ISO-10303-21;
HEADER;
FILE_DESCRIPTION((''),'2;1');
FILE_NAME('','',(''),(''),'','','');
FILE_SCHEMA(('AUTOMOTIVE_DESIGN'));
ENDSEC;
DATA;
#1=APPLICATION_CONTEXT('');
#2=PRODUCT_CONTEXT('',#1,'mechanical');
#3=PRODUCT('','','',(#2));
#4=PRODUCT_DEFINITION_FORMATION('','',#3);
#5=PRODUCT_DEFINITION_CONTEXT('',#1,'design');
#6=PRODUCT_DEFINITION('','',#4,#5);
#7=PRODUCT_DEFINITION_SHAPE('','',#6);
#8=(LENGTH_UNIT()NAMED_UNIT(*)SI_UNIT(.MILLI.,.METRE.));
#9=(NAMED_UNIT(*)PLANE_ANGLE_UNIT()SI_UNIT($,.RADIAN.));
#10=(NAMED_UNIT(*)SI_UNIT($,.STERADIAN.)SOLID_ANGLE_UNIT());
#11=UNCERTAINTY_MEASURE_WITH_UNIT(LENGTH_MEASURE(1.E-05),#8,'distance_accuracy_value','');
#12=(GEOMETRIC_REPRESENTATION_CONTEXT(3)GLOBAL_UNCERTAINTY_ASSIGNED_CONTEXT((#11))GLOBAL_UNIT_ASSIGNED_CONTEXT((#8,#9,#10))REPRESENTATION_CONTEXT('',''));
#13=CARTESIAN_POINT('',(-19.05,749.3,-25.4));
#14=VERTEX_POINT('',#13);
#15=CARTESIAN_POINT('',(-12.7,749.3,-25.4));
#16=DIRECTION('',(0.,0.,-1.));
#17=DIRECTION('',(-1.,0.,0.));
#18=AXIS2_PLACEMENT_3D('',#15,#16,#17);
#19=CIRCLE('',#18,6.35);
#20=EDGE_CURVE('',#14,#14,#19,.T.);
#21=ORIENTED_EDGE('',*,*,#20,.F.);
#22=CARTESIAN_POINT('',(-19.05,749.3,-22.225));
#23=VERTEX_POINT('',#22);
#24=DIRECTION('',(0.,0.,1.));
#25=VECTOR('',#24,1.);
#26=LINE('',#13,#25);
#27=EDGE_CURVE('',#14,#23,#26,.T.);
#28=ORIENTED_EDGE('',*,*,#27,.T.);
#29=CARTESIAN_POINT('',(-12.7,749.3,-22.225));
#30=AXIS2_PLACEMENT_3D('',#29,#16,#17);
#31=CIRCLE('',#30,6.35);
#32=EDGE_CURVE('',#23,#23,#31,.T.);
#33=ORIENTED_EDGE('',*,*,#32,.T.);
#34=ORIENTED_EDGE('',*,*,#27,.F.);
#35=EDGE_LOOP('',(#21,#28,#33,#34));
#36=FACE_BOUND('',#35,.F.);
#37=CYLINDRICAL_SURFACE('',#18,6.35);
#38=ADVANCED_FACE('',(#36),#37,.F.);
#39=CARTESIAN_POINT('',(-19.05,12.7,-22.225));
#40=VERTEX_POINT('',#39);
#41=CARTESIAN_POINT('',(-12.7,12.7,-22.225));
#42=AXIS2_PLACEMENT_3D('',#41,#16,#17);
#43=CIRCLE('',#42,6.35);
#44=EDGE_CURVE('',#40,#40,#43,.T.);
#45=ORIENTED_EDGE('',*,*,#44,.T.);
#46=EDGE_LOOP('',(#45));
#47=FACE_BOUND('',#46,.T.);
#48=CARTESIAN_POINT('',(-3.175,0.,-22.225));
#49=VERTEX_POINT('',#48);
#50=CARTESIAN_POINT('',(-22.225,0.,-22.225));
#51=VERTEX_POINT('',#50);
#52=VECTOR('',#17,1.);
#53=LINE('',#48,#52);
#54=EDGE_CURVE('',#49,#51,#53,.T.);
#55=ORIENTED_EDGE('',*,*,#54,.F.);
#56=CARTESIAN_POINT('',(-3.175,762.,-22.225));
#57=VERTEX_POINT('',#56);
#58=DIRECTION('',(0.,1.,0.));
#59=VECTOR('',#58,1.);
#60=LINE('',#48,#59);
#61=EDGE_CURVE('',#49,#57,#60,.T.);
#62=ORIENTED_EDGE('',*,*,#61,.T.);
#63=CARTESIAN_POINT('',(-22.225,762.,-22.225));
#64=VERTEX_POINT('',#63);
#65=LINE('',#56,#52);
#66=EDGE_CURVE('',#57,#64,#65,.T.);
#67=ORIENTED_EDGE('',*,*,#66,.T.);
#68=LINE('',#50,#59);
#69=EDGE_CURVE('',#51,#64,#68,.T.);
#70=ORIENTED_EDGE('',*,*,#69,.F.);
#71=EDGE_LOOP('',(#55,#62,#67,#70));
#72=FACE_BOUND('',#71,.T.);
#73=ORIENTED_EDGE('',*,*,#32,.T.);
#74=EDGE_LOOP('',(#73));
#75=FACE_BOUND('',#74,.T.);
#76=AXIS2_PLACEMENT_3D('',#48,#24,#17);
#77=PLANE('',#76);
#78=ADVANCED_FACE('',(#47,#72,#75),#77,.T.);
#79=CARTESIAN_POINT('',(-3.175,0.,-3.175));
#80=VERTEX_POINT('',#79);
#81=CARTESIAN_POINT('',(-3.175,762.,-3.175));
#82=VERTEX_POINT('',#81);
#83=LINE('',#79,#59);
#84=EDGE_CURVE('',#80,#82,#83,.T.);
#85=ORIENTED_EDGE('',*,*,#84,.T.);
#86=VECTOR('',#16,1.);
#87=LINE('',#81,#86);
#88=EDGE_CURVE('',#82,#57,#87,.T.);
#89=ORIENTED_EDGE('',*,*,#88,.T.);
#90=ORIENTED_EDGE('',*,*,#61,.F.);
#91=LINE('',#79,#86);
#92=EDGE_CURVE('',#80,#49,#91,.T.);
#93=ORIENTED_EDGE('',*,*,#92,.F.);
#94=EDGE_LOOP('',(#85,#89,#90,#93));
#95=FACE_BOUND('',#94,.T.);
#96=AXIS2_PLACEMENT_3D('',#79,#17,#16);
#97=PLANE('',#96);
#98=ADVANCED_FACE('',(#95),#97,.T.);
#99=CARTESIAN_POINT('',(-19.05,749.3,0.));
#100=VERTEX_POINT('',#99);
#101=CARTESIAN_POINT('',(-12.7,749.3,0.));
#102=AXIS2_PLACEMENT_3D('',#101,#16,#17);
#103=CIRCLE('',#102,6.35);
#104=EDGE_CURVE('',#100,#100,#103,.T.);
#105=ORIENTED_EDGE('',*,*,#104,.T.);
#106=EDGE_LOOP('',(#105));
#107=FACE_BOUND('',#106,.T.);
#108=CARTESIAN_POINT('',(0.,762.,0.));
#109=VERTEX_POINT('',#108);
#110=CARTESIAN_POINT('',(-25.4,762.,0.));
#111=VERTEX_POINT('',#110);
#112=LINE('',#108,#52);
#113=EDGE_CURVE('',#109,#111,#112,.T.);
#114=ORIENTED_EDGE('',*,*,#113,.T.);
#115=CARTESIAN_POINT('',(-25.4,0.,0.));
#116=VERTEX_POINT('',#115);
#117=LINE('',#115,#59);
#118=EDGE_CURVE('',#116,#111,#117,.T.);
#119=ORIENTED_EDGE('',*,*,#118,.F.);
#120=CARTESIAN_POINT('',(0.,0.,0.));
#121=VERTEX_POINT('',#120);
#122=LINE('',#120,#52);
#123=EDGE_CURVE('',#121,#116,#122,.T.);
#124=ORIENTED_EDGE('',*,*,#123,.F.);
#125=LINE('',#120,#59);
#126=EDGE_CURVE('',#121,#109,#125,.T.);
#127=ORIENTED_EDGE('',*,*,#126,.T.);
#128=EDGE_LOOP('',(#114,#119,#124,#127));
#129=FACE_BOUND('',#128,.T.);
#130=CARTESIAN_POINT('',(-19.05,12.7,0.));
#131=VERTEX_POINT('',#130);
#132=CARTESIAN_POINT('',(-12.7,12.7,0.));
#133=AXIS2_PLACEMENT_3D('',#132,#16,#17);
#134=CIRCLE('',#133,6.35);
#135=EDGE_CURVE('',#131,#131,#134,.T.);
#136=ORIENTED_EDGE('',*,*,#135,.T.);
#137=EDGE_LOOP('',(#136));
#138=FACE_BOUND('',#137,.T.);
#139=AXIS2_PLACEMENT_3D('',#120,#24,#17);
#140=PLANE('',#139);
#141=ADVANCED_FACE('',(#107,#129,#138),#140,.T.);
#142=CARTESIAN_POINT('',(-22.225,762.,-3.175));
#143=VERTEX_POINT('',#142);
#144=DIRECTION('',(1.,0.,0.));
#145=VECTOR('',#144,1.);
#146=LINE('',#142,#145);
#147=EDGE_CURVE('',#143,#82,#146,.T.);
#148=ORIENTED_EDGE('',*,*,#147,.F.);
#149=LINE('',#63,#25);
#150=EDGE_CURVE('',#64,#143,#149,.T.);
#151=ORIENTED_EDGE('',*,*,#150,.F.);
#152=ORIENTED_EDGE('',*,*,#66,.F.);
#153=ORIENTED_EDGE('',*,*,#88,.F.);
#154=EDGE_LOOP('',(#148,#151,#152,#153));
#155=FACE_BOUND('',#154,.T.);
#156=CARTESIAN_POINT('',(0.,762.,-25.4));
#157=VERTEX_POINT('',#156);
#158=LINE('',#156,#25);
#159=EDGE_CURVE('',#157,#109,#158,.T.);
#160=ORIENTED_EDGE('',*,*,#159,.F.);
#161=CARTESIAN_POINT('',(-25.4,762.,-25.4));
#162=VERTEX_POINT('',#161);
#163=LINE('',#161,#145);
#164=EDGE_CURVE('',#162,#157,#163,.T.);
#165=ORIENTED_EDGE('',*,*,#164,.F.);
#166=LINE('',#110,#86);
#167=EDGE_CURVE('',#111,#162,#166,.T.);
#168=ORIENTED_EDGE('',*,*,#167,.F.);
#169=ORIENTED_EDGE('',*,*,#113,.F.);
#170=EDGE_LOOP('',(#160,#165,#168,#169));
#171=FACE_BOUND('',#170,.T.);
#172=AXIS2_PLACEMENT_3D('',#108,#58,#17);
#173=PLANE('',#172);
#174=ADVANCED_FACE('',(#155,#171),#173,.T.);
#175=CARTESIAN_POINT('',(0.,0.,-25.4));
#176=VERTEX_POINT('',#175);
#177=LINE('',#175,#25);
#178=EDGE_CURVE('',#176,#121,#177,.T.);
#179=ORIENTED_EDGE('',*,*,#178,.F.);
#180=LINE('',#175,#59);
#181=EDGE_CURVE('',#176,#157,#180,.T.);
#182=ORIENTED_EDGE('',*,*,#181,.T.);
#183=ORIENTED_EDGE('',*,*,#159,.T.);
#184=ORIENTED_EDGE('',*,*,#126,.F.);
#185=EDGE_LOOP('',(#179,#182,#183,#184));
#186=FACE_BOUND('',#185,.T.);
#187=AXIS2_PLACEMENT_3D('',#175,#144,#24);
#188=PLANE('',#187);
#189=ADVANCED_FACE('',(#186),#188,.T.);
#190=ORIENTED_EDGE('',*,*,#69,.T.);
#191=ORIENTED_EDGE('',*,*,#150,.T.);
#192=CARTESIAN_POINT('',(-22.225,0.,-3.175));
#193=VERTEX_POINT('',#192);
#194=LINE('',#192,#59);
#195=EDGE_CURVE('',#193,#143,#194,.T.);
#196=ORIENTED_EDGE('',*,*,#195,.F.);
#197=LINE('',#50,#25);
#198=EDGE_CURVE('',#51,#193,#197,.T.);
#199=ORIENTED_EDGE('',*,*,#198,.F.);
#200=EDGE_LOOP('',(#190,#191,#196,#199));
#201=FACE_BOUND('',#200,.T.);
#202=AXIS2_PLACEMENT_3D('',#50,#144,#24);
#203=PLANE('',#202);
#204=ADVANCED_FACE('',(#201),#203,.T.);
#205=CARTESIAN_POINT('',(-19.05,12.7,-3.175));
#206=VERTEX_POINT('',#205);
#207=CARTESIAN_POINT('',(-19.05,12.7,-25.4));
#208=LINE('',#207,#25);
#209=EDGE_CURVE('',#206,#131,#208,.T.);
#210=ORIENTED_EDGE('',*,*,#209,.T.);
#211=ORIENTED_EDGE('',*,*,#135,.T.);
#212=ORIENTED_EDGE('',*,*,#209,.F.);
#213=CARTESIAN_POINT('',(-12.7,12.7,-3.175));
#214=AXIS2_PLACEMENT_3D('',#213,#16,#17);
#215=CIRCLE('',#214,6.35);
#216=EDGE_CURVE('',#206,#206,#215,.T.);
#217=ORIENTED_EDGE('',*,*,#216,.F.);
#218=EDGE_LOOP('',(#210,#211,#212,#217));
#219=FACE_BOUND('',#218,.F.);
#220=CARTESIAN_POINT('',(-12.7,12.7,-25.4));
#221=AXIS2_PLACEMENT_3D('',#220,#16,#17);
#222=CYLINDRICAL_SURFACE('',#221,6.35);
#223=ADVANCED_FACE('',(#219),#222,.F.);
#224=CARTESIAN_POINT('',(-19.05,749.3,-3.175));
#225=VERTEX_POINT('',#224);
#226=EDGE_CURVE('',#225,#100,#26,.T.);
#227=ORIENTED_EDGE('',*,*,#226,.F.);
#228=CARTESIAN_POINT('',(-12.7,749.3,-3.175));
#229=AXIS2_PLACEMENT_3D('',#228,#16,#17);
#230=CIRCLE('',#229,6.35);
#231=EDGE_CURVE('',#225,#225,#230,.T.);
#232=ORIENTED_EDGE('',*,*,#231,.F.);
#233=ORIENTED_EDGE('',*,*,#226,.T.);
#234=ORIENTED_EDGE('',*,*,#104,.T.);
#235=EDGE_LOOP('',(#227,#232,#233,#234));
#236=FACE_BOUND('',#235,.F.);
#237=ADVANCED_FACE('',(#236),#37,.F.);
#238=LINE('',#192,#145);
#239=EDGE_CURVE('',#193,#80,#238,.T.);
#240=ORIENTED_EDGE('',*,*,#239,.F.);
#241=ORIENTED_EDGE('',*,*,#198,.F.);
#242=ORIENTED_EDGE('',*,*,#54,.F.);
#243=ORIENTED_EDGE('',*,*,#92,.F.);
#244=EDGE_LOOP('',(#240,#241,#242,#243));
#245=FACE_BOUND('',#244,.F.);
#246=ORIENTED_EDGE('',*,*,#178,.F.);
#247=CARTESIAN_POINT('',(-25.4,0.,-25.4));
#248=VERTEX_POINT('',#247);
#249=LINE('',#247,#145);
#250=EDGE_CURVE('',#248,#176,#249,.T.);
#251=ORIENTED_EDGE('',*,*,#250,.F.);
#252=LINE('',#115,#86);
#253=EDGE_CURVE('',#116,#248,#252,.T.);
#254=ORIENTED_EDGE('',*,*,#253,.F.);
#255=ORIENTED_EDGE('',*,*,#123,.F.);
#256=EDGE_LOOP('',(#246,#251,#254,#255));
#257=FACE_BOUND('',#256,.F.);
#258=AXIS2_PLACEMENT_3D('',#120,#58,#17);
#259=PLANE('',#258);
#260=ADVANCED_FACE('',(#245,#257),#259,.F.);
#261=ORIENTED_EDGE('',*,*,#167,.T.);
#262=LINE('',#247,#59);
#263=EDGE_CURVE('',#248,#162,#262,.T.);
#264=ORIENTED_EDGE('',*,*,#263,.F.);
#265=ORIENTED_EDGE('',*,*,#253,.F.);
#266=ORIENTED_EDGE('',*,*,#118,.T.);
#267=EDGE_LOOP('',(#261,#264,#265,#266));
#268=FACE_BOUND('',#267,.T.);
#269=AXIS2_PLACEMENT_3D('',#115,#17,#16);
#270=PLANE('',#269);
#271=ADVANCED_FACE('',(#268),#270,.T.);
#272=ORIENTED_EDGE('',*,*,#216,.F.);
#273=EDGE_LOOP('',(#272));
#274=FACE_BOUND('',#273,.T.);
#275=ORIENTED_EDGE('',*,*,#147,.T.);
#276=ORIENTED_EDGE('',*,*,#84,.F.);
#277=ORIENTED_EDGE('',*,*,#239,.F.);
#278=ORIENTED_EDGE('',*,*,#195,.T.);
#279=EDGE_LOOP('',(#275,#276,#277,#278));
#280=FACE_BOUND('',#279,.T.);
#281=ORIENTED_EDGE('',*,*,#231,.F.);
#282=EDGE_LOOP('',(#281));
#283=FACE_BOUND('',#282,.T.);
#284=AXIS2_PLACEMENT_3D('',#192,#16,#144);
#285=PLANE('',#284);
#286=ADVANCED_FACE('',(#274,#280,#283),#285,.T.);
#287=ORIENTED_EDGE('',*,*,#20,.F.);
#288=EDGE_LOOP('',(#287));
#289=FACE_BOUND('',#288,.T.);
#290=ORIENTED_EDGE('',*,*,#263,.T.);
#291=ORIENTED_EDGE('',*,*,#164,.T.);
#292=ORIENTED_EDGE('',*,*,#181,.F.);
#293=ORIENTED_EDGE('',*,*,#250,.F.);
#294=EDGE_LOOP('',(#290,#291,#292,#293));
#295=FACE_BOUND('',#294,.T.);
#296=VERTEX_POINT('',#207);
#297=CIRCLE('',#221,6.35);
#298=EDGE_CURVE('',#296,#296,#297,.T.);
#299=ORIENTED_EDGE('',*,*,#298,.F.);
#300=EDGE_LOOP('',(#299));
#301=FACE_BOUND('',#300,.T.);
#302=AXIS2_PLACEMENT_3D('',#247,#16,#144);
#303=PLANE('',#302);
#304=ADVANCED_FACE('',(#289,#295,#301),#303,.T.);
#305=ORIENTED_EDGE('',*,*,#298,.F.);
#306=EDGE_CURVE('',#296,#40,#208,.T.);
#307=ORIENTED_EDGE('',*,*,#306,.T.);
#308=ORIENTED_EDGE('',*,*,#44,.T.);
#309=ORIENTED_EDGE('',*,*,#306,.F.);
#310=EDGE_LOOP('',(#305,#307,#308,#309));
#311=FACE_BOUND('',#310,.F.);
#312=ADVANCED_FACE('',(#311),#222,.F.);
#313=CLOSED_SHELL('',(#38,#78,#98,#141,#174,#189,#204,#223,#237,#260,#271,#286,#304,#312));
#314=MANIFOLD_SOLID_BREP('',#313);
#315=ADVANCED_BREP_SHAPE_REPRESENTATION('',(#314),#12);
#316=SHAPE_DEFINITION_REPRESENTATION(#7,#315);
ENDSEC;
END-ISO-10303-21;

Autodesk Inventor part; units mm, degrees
ref_plane "YZ Plane" through (0, 0, 0) normal (1, 0, 0) x (0, 1, 0)
ref_plane "XZ Plane" through (0, 0, 0) normal (0, 1, 0) x (-1, 0, 0)
ref_plane "XY Plane" through (0, 0, 0) normal (0, 0, 1) x (1, 0, 0)
sketch "Sketch1" plane through (0, 0, 0) normal (0, 1, 0) x (-1, 0, 0)
  line L0 (0, 0) -> (25.4, 0)
  line L1 (25.4, 0) -> (25.4, -25.4)
  line L2 (25.4, -25.4) -> (0, -25.4)
  line L3 (0, -25.4) -> (0, 0)
  line L4 (22.225, -3.175) -> (3.175, -3.175)
  line L5 (3.175, -3.175) -> (3.175, -22.225)
  line L6 (3.175, -22.225) -> (22.225, -22.225)
  line L7 (22.225, -22.225) -> (22.225, -3.175)
  dimension "d0" = 25.4
  dimension "d1" = 25.4
  dimension "d2" = 3.175
extrude "Extrusion1" add sketch "Sketch1" along normal blind 762
sketch "Sketch2" plane through (0, 0, -25.4) normal (0, 0, -1) x (-1, 0, 0)
  circle A0 centre (12.7, 12.7) radius 6.35
  circle A1 centre (12.7, 749.3) radius 6.35
  line L0 (25.4, 0) -> (25.4, 762) projected
  line L1 (22.225, 762) -> (3.175, 762) projected
  line L2 (25.4, 0) -> (0, 0) projected
  dimension "d5" = 12.7
  dimension "d6" = 12.7
  dimension "d7" = 12.7
  dimension "d8" = 12.7
  dimension "d9" = 12.7
  dimension "d10" = 12.7
extrude "Extrusion2" cut sketch "Sketch2" against normal blind 25.4
properties part number "upper arm"
